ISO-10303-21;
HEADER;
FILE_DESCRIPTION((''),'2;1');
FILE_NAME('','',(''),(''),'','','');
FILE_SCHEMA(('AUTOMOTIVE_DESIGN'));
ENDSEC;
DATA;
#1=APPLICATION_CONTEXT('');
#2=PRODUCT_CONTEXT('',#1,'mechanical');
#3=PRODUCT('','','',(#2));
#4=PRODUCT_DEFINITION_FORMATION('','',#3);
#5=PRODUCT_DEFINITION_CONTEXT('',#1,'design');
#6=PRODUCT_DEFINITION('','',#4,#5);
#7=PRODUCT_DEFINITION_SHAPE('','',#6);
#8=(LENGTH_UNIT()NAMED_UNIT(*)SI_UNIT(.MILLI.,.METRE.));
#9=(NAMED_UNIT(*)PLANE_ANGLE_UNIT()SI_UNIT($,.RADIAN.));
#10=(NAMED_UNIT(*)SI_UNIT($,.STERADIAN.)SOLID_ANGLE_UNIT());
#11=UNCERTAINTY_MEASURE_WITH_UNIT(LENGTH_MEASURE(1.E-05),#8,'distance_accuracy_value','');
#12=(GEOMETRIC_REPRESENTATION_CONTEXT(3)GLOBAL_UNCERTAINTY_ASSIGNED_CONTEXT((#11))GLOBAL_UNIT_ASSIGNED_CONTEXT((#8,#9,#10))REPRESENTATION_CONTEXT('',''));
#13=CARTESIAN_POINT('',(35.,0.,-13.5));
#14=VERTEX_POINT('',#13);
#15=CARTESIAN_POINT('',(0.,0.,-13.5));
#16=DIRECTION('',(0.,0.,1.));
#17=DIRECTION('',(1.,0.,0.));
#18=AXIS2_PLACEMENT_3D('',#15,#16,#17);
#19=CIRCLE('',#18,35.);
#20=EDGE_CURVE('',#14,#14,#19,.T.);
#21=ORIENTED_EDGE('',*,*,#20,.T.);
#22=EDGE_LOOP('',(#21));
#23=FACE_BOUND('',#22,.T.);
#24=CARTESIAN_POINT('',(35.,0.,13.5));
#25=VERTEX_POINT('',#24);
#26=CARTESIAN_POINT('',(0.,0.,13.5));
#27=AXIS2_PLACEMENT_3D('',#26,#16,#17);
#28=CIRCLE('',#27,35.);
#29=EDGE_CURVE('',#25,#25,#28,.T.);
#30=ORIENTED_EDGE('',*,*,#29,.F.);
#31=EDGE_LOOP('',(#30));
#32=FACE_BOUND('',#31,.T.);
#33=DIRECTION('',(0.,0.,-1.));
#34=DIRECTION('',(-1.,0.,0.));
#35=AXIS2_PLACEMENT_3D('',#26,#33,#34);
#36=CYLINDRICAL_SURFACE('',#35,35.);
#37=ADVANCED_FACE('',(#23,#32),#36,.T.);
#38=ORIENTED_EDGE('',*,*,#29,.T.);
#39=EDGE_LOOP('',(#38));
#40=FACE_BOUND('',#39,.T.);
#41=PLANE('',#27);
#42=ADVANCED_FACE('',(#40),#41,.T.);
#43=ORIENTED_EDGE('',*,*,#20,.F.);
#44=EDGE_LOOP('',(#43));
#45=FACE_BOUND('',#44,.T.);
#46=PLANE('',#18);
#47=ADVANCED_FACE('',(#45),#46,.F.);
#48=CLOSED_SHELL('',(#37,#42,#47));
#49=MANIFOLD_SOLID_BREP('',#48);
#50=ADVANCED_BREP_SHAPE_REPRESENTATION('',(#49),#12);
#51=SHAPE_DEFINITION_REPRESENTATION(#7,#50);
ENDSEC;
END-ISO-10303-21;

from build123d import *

# Parameters (mm, degrees)
SKETCH1_R           = 35
BOSS_EXTRUDE1_DEPTH = 13.5


with BuildPart() as part:
    # Sketch1 → Boss-Extrude1 (new body, symmetric)
    with BuildSketch(Plane.XY):
        Circle(SKETCH1_R)
    extrude(amount=BOSS_EXTRUDE1_DEPTH, both=True)


solid = part.part
